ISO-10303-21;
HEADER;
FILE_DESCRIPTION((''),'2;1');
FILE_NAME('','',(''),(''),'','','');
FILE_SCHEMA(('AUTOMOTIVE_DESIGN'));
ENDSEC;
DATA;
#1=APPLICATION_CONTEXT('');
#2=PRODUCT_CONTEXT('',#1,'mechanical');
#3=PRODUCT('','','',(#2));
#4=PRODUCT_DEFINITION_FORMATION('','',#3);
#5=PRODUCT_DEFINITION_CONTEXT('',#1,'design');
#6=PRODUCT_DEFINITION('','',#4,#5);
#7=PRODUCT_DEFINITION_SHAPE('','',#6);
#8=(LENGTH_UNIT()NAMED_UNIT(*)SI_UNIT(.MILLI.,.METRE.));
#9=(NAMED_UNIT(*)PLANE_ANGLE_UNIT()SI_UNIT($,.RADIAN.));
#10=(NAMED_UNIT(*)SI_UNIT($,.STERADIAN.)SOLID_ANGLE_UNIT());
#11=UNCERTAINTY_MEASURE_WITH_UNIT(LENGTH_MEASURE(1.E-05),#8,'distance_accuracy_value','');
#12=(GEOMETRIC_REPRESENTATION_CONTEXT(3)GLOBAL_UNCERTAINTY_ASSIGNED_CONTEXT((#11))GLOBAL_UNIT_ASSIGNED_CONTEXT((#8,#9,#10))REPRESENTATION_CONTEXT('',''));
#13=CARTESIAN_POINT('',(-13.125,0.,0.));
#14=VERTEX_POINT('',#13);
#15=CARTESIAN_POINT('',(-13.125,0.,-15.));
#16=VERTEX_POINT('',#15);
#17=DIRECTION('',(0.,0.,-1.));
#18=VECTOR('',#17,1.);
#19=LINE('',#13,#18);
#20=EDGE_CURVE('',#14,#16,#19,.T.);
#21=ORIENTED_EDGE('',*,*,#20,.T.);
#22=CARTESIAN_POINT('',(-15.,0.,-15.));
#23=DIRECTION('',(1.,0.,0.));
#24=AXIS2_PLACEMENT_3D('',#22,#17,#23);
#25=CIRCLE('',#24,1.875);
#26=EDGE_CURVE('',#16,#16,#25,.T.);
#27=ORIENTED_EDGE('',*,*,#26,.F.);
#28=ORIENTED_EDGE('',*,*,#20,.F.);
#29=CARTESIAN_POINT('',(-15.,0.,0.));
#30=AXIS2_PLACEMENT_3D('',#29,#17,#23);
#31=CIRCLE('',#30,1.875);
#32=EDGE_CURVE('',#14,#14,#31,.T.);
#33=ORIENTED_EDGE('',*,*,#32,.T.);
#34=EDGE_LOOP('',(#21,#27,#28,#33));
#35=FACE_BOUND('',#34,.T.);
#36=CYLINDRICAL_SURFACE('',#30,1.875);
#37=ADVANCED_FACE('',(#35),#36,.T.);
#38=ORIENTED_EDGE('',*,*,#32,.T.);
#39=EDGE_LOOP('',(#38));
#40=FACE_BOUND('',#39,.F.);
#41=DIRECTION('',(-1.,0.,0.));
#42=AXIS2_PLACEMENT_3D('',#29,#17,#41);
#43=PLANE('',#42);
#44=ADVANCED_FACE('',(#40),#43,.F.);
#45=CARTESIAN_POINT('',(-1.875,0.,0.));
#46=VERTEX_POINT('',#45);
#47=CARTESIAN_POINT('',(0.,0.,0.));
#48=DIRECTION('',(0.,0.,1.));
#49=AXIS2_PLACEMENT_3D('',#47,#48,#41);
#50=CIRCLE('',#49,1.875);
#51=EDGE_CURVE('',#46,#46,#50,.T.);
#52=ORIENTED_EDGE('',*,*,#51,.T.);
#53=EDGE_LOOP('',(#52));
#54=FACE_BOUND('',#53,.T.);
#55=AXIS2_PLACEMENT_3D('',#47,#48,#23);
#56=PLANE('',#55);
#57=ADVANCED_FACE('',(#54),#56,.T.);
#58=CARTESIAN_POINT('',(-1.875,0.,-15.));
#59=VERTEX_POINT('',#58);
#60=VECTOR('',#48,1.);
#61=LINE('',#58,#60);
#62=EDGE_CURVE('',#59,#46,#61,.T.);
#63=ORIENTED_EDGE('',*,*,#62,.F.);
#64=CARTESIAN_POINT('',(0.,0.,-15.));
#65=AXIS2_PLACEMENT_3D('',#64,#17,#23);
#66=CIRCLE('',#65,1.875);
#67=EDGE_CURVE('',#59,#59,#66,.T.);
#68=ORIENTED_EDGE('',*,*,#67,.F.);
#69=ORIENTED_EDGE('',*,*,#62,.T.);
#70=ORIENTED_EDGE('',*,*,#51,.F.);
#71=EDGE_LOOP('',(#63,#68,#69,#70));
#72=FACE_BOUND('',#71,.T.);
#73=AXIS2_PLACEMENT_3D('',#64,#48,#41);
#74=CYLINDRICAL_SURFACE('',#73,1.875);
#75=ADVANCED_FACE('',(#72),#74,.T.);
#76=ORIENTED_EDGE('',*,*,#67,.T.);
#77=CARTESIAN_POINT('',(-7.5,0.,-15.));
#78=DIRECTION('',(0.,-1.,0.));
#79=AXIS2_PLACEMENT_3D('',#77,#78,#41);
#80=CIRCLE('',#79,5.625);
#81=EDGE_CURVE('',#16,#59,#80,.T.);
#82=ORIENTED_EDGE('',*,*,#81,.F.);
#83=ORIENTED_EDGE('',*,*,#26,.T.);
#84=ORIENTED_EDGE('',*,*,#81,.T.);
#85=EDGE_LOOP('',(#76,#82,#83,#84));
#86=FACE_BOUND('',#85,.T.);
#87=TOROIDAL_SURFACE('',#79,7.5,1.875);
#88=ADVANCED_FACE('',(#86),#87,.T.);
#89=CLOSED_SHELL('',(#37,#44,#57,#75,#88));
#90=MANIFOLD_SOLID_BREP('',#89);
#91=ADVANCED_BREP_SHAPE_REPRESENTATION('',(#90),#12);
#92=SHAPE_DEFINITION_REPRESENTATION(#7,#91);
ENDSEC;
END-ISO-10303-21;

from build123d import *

# Parameters (mm, degrees)
F2_R = 1.875


with BuildPart() as f3:
    # F3: sweep along a path in F0
    with BuildLine(Plane.XZ) as f3_path:
        Line((-15, 0), (-15, -15))
        ThreePointArc((-15, -15), (-7.5, -22.5), (0, -15))
        Line((0, -15), (0, 0))
    # F2 (on face) → F3 (sweep)
    with BuildSketch(Plane(origin=(0, 0, 0), x_dir=(1, 0, 0), z_dir=(0, 0, -1))):
        with Locations((-15, 0)):
            Circle(F2_R)
    sweep(path=f3_path.line)


solid = f3.part
